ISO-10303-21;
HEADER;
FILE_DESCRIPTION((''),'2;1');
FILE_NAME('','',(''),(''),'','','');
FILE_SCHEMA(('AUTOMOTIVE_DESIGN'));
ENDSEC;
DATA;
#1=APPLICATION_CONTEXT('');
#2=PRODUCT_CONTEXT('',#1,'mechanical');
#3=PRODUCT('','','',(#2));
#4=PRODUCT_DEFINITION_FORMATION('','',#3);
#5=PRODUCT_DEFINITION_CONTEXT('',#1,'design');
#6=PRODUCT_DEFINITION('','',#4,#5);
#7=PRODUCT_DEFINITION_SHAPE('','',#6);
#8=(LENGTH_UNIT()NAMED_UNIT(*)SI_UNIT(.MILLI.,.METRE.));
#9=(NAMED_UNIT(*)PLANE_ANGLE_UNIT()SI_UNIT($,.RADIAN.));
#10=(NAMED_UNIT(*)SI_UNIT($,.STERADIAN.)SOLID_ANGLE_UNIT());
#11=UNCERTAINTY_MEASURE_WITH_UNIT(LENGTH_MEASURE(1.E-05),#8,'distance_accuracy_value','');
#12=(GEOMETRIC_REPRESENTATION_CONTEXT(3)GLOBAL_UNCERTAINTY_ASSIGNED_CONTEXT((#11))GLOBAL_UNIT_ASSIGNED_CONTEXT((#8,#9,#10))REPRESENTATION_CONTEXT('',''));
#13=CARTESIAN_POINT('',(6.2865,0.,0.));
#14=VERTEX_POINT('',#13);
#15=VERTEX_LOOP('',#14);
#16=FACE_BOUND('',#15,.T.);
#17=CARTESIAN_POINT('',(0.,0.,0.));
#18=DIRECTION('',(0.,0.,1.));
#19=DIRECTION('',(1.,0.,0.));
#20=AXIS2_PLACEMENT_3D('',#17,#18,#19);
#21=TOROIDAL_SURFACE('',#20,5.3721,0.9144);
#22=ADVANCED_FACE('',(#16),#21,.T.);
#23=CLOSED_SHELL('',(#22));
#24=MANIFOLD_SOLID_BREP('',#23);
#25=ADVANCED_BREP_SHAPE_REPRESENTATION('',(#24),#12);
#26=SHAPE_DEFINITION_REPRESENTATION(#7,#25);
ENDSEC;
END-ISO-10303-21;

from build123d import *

# Parameters (mm, degrees)
SKETCH1_R = 0.9144


with BuildPart() as part:
    # Sketch1 → Revolve1 (revolve)
    with BuildSketch(Plane(origin=(0, 0, 0), x_dir=(0, -1, 0), z_dir=(1, 0, 0))):
        with Locations((5.3721, 0)):
            Circle(SKETCH1_R)
    revolve(axis=Axis((0, 0, 0.9144), (0, 0, -1)))


solid = part.part
